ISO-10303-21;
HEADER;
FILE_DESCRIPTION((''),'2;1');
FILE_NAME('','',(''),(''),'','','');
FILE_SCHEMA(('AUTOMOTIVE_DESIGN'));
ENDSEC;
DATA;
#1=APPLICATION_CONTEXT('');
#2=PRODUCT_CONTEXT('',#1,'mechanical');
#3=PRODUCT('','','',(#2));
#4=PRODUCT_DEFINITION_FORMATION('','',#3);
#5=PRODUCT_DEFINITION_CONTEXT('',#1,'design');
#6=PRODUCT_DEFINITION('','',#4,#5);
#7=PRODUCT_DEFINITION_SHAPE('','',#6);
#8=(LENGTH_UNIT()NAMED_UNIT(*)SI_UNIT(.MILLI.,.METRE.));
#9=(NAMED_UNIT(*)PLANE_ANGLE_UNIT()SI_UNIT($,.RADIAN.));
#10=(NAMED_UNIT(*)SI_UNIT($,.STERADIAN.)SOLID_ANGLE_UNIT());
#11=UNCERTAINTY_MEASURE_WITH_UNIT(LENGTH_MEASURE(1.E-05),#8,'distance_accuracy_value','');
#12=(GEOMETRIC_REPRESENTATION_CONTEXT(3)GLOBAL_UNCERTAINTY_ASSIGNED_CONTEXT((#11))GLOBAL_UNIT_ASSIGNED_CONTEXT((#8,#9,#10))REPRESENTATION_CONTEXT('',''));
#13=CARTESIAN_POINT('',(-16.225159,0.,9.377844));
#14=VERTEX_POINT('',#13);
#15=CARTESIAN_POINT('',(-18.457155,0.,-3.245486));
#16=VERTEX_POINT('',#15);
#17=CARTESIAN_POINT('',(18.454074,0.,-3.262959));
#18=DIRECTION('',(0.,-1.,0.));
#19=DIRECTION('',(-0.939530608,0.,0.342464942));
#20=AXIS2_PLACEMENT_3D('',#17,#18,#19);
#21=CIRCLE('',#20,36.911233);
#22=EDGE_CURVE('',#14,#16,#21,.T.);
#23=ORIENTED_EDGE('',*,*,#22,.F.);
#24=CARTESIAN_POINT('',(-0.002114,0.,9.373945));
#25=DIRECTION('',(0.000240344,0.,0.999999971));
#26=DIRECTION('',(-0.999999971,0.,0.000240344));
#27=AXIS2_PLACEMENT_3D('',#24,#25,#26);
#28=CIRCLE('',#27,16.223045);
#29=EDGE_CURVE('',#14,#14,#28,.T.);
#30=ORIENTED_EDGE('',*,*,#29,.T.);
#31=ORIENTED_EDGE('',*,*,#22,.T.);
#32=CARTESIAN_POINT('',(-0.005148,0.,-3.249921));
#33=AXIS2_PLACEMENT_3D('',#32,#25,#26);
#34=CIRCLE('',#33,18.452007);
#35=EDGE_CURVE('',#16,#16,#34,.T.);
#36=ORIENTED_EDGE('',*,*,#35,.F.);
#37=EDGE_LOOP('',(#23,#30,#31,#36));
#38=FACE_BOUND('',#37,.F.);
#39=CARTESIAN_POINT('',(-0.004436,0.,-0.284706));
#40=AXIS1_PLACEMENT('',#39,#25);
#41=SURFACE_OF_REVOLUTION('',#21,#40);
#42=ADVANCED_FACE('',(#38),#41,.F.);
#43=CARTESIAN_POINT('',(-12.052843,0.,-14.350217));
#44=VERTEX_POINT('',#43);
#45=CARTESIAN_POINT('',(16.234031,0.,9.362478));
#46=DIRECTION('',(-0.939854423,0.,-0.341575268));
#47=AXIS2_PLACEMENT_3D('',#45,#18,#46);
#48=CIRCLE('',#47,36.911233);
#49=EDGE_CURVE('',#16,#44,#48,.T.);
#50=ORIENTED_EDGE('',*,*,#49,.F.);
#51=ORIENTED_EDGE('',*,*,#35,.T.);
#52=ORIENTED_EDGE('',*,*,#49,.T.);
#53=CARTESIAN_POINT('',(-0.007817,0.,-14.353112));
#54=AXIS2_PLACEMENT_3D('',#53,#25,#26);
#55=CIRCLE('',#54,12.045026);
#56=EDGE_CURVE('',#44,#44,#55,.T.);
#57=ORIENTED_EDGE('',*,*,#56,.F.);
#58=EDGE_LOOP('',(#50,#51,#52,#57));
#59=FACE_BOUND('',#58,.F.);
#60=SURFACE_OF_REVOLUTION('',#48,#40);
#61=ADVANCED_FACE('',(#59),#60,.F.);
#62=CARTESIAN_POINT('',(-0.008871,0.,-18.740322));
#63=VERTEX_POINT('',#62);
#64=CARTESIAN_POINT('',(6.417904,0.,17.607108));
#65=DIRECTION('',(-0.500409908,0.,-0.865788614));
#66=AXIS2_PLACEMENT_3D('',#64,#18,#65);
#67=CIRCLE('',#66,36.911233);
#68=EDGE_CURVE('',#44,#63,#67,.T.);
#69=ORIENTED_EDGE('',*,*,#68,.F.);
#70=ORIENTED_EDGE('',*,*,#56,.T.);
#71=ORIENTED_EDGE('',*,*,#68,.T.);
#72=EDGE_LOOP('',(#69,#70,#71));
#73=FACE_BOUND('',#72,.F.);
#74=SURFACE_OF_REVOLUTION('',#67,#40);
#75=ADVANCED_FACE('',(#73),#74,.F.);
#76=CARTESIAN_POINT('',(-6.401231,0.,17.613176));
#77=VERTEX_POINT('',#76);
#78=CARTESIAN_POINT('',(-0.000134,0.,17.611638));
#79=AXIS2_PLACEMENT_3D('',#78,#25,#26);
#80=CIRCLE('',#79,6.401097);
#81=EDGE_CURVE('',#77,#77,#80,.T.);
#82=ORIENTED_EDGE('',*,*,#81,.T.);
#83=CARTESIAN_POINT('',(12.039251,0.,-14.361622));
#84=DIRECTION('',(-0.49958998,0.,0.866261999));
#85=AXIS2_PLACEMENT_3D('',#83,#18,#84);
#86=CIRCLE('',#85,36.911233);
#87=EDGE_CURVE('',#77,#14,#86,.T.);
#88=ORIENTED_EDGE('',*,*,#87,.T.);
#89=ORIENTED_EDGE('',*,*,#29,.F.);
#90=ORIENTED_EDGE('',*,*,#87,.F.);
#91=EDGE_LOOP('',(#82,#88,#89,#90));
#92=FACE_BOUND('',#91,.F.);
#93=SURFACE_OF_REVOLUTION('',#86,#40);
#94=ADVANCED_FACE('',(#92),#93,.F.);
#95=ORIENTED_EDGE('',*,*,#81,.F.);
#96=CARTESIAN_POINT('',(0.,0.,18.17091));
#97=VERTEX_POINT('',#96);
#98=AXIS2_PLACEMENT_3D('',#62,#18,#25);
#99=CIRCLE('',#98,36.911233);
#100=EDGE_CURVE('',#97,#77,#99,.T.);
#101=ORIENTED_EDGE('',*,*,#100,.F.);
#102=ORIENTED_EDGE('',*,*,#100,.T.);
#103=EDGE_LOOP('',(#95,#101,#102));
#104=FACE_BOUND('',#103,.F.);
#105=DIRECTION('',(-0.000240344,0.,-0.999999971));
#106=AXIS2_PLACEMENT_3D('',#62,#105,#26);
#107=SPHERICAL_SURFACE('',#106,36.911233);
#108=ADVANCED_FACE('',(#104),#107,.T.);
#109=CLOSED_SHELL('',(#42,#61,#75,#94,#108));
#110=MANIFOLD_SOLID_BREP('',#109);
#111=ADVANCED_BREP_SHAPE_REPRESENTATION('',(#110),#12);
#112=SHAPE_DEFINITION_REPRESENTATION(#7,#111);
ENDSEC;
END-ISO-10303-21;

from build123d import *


with BuildPart() as f1:
    # F0 (on Front) → F1 (revolve)
    with BuildSketch(Plane.XZ):
        with BuildLine():
            ThreePointArc((-6.4012311957, 17.6131763881), (-11.6734442869, 13.9252512564), (-16.2251591361, 9.3778437985))
            ThreePointArc((-16.2251591361, 9.3778437985), (-17.8933560974, 3.163815994), (-18.4571547942, -3.2454861276))
            ThreePointArc((-18.4571547942, -3.2454861276), (-15.7407677274, -9.0780039338), (-12.0528425956, -14.350217025))
            ThreePointArc((-12.0528425956, -14.350217025), (-6.2228991987, -17.0721249303), (-0.0088713942, -18.7403218915))
            Line((-0.0088713942, -18.7403218915), (0, 18.1709097636))
            ThreePointArc((0, 18.1709097636), (-3.2127749026, 18.0315981469), (-6.4012311957, 17.6131763881))
        make_face()
    revolve(axis=Axis((-0.0044356971, 0, -0.284706064), (0.000240344, 0, 0.9999999711)))


solid = f1.part
